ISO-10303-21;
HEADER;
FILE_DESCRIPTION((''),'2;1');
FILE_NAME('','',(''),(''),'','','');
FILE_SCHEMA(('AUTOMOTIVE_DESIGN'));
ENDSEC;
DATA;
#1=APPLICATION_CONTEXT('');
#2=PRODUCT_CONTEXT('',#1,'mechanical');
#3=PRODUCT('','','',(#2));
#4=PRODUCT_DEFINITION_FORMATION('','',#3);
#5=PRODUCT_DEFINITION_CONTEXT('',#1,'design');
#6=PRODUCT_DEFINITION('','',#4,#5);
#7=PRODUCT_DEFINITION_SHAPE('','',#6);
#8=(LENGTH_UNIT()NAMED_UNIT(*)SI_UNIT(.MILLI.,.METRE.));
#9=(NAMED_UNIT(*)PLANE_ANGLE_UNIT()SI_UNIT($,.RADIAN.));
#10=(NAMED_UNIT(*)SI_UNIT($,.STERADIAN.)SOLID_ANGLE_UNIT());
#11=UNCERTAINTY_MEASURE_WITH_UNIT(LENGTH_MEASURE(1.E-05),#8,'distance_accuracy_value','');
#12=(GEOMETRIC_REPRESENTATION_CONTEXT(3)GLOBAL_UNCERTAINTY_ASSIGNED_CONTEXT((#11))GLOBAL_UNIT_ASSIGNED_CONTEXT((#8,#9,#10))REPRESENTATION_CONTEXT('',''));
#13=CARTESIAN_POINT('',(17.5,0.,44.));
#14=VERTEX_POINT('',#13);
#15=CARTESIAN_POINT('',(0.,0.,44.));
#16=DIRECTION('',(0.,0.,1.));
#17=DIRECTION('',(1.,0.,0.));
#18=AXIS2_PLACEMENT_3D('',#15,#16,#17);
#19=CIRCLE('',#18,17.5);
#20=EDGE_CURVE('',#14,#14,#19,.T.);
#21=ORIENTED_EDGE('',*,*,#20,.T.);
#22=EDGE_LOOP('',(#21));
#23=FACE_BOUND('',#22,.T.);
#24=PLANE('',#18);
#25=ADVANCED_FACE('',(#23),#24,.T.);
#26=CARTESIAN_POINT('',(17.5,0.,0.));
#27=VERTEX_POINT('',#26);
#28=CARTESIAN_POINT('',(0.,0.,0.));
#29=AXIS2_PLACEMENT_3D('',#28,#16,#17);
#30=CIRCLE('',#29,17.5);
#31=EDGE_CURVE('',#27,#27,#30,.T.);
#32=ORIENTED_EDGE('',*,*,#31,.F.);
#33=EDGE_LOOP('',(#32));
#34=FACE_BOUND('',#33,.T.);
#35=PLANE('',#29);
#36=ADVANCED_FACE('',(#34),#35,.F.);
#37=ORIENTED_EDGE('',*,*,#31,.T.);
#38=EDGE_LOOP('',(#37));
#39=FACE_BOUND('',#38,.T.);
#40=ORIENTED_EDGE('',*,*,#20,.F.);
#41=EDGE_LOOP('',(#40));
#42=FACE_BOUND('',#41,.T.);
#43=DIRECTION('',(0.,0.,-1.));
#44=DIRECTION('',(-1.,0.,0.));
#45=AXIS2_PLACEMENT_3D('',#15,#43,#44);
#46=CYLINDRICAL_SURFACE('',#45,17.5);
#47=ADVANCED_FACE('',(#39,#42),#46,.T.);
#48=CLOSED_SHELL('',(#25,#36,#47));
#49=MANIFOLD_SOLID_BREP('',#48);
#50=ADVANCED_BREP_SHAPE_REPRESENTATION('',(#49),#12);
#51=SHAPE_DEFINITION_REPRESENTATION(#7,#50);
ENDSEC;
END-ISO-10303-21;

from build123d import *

# Parameters (mm, degrees)
SKETCH1_R           = 17.5
BOSS_EXTRUDE1_DEPTH = 44


with BuildPart() as part:
    # Sketch1 → Boss-Extrude1 (new body)
    with BuildSketch(Plane.XY):
        Circle(SKETCH1_R)
    extrude(amount=BOSS_EXTRUDE1_DEPTH)


solid = part.part
